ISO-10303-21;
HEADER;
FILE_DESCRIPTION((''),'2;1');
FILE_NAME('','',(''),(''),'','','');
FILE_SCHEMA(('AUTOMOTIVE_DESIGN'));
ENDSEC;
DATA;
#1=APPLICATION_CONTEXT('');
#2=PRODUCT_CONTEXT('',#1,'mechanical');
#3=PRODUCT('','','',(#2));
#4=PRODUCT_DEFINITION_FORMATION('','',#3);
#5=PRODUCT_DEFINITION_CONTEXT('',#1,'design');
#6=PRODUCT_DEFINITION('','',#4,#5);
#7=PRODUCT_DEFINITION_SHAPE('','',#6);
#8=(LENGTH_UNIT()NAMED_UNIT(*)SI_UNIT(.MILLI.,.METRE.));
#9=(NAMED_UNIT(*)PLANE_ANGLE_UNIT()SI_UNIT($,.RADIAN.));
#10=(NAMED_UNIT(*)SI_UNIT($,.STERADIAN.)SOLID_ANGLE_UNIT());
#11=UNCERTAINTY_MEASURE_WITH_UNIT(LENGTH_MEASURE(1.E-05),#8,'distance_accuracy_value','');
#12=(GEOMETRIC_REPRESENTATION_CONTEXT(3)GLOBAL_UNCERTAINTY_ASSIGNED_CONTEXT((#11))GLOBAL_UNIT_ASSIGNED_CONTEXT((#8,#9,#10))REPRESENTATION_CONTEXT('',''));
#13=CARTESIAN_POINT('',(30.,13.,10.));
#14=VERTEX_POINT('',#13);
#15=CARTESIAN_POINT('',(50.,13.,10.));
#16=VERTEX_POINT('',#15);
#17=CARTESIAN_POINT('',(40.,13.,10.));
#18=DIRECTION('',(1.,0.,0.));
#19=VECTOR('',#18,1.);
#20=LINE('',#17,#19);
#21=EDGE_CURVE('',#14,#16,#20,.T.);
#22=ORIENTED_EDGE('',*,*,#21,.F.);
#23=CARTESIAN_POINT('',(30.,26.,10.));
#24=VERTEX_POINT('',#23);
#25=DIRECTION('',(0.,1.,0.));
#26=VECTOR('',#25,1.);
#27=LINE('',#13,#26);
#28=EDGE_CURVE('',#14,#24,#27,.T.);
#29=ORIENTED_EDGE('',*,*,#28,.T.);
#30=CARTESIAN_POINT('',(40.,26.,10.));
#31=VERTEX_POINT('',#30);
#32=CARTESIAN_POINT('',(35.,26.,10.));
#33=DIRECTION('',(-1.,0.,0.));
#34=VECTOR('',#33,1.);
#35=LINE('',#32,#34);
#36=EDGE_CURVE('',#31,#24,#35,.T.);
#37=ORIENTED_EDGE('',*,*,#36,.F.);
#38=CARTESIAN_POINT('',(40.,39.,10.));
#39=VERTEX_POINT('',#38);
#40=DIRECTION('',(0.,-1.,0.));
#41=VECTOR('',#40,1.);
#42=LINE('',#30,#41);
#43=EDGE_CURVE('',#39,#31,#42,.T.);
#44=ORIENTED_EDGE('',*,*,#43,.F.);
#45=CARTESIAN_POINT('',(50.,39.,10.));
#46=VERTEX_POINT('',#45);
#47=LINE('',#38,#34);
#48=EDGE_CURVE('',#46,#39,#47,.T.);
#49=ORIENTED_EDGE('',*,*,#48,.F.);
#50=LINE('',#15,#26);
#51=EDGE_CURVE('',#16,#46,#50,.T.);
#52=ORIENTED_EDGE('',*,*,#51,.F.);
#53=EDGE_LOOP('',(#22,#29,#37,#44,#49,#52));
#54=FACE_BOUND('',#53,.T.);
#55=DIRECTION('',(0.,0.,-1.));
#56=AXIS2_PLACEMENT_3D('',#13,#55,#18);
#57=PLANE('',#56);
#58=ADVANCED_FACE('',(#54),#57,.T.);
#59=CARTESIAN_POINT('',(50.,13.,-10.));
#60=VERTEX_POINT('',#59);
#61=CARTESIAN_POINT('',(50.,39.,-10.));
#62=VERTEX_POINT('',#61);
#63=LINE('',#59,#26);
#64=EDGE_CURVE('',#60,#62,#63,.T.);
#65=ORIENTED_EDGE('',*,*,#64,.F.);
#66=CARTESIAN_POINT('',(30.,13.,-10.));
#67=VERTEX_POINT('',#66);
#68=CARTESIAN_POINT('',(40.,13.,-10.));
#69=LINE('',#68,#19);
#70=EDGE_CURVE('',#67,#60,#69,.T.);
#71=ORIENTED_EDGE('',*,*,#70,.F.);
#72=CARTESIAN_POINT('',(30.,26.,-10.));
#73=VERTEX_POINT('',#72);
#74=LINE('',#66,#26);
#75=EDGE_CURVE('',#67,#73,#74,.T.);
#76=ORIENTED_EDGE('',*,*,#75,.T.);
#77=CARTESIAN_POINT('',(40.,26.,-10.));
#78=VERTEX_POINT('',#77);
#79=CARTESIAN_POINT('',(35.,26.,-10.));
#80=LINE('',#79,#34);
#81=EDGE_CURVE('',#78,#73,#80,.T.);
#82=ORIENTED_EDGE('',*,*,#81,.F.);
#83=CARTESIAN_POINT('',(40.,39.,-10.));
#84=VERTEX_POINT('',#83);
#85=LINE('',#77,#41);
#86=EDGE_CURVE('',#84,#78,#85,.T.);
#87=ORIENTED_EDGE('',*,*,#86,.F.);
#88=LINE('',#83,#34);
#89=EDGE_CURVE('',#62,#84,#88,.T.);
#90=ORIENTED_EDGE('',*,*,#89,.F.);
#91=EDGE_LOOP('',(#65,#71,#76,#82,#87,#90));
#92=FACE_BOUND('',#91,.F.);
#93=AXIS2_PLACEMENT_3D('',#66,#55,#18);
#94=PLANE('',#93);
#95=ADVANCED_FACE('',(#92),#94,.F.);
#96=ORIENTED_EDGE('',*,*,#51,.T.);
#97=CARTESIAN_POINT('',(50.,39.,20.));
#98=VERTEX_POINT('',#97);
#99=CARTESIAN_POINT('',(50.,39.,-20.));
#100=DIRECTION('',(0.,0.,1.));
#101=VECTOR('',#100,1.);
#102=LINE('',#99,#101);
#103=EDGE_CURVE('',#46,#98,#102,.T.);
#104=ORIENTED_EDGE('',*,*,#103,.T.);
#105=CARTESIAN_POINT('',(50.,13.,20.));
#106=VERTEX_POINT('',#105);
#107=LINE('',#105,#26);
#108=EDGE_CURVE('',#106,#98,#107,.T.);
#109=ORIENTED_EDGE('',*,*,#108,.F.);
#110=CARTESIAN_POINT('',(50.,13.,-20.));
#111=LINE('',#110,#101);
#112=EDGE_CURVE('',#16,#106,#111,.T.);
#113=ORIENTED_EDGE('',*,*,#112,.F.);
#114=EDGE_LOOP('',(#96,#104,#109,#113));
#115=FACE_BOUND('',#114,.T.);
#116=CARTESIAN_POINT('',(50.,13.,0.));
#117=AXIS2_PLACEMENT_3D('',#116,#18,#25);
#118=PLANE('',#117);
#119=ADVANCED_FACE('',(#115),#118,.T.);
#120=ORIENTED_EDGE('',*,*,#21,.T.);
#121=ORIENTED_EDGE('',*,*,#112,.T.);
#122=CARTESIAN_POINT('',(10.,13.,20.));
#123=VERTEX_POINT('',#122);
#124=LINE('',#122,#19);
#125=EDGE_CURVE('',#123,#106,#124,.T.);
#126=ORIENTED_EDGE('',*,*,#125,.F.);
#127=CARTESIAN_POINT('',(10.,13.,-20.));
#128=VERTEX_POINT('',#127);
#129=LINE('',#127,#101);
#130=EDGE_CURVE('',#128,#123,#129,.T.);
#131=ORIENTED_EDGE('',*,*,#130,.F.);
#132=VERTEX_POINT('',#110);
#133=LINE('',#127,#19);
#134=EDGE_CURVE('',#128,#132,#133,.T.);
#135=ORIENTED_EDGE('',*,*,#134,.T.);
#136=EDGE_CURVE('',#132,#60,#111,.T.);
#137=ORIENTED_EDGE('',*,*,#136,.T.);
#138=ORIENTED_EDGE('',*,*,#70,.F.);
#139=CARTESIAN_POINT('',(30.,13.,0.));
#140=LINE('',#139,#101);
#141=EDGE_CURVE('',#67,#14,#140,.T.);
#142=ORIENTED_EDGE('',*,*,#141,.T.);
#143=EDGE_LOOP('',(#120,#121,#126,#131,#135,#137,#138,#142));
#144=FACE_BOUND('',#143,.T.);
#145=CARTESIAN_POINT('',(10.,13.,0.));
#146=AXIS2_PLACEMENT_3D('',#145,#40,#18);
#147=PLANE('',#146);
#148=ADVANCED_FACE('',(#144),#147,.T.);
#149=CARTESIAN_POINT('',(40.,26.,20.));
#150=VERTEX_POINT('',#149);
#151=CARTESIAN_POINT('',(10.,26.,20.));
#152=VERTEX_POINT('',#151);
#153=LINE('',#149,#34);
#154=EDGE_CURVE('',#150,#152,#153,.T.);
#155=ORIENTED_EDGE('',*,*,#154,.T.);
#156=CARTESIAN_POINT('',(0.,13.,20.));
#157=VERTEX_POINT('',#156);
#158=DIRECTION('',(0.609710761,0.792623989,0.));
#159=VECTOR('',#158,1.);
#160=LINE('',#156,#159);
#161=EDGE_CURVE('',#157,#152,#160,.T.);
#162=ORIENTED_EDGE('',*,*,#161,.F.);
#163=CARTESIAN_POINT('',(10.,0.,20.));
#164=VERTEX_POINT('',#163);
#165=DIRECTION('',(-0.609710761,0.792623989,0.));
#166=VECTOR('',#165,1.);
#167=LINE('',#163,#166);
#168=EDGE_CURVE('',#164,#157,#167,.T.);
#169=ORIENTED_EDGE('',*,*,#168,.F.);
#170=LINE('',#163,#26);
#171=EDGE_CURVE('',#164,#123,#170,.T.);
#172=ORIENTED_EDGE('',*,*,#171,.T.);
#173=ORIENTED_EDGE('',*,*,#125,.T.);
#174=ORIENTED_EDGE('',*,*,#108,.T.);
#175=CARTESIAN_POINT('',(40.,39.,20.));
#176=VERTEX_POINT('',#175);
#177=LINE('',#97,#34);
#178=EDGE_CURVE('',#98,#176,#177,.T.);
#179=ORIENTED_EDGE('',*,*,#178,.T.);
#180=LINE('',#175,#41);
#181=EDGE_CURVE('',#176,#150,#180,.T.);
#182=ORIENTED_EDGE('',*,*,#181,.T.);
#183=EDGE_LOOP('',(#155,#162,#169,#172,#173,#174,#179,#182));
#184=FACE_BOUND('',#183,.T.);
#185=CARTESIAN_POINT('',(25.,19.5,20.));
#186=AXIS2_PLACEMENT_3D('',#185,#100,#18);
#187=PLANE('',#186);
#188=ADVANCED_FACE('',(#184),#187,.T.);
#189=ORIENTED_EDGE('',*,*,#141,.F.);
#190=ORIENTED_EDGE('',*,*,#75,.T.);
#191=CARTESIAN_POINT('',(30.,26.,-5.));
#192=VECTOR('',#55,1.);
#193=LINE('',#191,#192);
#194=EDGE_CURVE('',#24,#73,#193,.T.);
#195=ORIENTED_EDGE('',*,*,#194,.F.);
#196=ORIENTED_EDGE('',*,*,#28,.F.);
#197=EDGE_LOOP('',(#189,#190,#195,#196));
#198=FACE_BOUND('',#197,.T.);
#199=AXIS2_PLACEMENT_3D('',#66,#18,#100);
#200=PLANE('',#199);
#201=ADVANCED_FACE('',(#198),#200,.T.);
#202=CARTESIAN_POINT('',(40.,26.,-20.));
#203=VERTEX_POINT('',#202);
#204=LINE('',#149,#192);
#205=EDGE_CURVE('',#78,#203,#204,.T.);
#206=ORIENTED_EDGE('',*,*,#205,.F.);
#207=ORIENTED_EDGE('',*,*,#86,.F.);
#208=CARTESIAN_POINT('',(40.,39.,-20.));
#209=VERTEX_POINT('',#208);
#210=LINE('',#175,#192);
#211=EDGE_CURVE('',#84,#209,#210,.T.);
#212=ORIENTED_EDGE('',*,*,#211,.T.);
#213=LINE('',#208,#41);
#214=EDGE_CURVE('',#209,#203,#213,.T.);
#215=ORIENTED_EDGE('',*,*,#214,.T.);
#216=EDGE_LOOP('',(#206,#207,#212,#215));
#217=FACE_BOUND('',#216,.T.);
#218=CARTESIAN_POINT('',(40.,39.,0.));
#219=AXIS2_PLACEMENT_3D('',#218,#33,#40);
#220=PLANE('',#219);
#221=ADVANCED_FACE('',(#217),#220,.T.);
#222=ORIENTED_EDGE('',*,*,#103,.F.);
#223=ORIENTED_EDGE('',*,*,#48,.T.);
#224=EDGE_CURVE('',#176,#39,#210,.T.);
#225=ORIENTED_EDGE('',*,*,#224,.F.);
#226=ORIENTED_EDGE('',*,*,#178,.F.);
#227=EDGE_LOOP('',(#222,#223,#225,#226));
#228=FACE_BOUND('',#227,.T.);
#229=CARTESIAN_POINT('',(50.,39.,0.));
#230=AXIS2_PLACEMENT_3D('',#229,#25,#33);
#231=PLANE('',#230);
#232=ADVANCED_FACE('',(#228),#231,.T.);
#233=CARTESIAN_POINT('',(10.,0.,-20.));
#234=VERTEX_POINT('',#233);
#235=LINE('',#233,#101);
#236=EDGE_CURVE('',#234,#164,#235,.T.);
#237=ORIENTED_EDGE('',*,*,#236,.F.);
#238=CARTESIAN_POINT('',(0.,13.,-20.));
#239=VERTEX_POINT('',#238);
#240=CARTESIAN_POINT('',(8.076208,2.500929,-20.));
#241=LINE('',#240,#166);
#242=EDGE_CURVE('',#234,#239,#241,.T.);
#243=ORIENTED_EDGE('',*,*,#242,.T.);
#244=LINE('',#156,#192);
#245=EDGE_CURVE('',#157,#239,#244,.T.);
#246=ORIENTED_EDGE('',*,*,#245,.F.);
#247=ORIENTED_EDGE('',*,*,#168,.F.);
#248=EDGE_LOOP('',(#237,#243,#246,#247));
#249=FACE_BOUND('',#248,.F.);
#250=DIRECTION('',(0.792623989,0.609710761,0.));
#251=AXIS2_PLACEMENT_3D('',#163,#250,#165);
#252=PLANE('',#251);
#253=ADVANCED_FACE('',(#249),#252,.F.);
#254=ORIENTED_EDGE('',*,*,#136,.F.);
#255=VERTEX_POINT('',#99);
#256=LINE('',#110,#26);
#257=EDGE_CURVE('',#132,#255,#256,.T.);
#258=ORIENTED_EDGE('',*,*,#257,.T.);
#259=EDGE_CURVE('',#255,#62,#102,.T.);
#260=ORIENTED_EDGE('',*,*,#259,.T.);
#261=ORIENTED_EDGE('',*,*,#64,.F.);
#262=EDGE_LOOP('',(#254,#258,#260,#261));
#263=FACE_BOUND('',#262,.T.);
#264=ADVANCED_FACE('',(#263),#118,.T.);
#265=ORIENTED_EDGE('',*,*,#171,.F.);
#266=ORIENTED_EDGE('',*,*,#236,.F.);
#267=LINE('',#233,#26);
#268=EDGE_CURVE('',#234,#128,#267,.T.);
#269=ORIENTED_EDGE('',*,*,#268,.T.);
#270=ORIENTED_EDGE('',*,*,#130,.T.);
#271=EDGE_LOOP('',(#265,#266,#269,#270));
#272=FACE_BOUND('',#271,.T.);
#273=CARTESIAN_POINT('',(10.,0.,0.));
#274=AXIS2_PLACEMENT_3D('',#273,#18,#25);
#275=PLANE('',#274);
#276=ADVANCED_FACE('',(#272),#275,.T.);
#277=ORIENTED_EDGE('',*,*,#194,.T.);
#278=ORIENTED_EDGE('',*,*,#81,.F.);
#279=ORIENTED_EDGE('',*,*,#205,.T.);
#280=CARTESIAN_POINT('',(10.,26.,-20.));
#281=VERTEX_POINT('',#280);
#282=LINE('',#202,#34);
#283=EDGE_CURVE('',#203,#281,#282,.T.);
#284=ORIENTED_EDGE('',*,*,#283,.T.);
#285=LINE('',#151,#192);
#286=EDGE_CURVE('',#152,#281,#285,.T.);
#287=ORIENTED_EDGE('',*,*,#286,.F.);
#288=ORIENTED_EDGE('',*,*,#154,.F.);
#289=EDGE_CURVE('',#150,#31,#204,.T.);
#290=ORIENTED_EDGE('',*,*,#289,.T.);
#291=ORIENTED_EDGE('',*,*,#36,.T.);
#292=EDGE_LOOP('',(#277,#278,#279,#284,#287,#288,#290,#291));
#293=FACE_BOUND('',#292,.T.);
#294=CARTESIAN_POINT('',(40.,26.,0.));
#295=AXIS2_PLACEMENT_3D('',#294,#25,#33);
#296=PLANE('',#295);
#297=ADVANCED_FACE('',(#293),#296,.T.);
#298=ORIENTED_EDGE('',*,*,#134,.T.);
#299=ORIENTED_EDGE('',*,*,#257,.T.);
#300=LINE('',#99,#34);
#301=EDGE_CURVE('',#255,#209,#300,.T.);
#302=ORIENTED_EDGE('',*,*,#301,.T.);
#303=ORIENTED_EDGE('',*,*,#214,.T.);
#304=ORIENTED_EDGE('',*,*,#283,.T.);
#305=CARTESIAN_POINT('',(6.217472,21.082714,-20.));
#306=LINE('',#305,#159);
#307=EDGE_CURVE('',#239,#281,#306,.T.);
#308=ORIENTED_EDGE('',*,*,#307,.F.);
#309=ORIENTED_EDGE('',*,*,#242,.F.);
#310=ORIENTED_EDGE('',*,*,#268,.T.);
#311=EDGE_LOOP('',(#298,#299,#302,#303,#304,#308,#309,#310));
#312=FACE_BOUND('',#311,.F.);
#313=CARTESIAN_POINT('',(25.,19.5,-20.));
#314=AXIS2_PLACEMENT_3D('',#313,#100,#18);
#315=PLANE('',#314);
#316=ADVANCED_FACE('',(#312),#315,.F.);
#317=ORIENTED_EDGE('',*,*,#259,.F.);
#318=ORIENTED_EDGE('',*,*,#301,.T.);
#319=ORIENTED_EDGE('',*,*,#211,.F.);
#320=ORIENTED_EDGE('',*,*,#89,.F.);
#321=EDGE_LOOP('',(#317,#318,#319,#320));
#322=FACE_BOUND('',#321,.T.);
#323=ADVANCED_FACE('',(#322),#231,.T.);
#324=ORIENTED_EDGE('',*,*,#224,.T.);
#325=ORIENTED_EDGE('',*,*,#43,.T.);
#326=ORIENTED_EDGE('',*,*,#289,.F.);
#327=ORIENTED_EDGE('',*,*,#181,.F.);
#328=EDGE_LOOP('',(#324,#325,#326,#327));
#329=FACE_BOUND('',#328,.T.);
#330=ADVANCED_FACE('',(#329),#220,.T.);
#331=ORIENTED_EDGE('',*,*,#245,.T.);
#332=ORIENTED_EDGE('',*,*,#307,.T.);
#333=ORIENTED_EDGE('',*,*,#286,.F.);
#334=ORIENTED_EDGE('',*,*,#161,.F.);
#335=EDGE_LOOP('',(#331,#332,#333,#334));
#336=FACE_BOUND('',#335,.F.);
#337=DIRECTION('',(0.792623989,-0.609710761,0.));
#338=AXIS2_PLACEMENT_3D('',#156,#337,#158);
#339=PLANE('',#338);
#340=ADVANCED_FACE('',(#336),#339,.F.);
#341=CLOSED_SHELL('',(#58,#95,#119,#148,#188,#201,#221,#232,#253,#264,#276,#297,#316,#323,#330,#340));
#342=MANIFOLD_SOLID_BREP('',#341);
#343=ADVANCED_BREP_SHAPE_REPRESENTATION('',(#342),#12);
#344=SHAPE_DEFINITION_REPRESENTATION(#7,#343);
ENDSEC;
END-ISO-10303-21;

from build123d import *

# Parameters (mm, degrees)
F1_DEPTH = 20
F2_W     = 20
F2_H     = 20
F3_DEPTH = 26.001
F5_DEPTH = 40.001
F7_DEPTH = 40.001


with BuildPart() as f1:
    # F0 (on Top) → F1 (new body, symmetric)
    with BuildSketch(Plane.XY):
        Polygon((0, 26), (0, 0), (10, 0), (10, 13), (50, 13), (50, 39), (40, 39), (40, 26), align=None)
    extrude(amount=F1_DEPTH, both=True)

    # F2 (on face) → F3 (cut, through all)
    with BuildSketch(Plane.XZ.offset(-13)):
        with Locations((40, 0)):
            Rectangle(F2_W, F2_H)
    extrude(amount=-F3_DEPTH, mode=Mode.SUBTRACT)

    # F4 (on face) → F5 (cut, through all)
    with BuildSketch(Plane.XY.offset(20)):
        Polygon((0, 0), (10, 0), (0, 13), align=None)
    extrude(amount=-F5_DEPTH, mode=Mode.SUBTRACT)

    # F6 (on face) → F7 (cut, through all)
    with BuildSketch(Plane.XY.offset(20)):
        Polygon((0, 13), (10, 26), (0, 26), align=None)
    extrude(amount=-F7_DEPTH, mode=Mode.SUBTRACT)


solid = f1.part
